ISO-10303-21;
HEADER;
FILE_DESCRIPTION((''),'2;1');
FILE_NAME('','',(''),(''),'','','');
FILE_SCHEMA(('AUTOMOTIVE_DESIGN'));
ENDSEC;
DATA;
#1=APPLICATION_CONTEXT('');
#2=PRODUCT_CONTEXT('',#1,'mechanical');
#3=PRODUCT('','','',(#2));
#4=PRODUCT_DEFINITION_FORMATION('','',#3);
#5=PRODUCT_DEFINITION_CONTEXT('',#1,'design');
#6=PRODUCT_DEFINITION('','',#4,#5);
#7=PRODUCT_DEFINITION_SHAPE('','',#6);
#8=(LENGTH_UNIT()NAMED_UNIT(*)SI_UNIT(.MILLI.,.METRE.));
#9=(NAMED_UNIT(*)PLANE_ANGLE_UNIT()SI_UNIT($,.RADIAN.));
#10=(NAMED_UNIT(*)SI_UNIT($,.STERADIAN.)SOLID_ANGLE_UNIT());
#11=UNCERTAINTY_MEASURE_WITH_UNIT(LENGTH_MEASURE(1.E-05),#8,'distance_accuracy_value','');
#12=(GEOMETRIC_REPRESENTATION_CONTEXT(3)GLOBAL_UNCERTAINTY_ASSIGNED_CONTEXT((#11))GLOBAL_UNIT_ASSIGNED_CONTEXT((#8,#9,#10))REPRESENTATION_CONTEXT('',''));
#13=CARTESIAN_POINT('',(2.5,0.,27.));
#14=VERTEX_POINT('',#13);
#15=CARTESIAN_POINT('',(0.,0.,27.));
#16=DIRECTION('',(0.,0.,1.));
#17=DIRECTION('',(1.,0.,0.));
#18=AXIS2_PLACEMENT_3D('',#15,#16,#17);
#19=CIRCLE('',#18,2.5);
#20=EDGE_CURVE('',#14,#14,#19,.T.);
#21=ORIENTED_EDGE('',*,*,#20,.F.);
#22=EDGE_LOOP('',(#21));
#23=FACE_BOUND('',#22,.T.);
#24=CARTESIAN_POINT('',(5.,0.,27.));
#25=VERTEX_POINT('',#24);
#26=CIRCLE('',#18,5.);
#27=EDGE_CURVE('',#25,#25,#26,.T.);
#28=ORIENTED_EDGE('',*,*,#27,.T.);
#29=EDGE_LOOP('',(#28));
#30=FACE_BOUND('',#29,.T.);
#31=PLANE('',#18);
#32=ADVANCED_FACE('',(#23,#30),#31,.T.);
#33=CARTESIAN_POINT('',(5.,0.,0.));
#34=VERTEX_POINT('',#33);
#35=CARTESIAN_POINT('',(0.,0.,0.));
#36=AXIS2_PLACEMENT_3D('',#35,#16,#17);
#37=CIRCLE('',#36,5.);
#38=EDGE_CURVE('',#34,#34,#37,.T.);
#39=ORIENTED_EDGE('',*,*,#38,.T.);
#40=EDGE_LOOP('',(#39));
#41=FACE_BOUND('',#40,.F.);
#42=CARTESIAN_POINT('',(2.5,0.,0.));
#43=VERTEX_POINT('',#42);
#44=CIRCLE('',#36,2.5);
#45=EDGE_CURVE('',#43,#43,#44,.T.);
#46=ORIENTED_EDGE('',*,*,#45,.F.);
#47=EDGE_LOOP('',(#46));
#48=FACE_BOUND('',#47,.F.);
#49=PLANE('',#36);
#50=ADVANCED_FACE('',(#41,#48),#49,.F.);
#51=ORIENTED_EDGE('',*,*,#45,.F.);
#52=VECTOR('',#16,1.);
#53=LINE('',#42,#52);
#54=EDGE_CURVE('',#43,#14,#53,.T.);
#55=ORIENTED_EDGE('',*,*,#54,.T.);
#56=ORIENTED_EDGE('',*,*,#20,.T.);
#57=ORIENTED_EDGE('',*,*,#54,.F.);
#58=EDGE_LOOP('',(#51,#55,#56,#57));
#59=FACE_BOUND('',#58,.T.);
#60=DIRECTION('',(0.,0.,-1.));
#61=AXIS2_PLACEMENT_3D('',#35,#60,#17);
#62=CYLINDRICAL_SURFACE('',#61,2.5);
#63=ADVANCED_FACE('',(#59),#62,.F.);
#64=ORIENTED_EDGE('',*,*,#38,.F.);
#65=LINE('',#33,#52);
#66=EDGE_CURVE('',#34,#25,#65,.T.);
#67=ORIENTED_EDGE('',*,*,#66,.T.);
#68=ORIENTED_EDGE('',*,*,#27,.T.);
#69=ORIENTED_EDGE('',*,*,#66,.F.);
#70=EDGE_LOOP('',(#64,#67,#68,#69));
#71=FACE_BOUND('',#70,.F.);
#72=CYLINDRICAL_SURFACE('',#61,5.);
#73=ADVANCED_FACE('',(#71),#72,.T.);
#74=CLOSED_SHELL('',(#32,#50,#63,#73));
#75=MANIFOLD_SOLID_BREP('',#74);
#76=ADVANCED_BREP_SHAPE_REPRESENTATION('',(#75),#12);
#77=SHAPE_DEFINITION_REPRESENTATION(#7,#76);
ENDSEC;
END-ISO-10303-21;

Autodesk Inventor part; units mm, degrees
ref_plane "YZ Plane" through (0, 0, 0) normal (1, 0, 0) x (0, 1, 0)
ref_plane "XZ Plane" through (0, 0, 0) normal (0, 1, 0) x (-1, 0, 0)
ref_plane "XY Plane" through (0, 0, 0) normal (0, 0, 1) x (1, 0, 0)
sketch "スケッチ1" plane through (0, 0, 0) normal (0, 0, 1) x (1, 0, 0)
  circle A0 centre (0, 0) radius 5
  circle A1 centre (0, 0) radius 2.5
  dimension "d0" = 10
  dimension "d1" = 5
extrude "押し出し1" add sketch "スケッチ1" along normal blind 27
properties part number "スペーサー自作m5,27" material "アルミニウム 7075"
